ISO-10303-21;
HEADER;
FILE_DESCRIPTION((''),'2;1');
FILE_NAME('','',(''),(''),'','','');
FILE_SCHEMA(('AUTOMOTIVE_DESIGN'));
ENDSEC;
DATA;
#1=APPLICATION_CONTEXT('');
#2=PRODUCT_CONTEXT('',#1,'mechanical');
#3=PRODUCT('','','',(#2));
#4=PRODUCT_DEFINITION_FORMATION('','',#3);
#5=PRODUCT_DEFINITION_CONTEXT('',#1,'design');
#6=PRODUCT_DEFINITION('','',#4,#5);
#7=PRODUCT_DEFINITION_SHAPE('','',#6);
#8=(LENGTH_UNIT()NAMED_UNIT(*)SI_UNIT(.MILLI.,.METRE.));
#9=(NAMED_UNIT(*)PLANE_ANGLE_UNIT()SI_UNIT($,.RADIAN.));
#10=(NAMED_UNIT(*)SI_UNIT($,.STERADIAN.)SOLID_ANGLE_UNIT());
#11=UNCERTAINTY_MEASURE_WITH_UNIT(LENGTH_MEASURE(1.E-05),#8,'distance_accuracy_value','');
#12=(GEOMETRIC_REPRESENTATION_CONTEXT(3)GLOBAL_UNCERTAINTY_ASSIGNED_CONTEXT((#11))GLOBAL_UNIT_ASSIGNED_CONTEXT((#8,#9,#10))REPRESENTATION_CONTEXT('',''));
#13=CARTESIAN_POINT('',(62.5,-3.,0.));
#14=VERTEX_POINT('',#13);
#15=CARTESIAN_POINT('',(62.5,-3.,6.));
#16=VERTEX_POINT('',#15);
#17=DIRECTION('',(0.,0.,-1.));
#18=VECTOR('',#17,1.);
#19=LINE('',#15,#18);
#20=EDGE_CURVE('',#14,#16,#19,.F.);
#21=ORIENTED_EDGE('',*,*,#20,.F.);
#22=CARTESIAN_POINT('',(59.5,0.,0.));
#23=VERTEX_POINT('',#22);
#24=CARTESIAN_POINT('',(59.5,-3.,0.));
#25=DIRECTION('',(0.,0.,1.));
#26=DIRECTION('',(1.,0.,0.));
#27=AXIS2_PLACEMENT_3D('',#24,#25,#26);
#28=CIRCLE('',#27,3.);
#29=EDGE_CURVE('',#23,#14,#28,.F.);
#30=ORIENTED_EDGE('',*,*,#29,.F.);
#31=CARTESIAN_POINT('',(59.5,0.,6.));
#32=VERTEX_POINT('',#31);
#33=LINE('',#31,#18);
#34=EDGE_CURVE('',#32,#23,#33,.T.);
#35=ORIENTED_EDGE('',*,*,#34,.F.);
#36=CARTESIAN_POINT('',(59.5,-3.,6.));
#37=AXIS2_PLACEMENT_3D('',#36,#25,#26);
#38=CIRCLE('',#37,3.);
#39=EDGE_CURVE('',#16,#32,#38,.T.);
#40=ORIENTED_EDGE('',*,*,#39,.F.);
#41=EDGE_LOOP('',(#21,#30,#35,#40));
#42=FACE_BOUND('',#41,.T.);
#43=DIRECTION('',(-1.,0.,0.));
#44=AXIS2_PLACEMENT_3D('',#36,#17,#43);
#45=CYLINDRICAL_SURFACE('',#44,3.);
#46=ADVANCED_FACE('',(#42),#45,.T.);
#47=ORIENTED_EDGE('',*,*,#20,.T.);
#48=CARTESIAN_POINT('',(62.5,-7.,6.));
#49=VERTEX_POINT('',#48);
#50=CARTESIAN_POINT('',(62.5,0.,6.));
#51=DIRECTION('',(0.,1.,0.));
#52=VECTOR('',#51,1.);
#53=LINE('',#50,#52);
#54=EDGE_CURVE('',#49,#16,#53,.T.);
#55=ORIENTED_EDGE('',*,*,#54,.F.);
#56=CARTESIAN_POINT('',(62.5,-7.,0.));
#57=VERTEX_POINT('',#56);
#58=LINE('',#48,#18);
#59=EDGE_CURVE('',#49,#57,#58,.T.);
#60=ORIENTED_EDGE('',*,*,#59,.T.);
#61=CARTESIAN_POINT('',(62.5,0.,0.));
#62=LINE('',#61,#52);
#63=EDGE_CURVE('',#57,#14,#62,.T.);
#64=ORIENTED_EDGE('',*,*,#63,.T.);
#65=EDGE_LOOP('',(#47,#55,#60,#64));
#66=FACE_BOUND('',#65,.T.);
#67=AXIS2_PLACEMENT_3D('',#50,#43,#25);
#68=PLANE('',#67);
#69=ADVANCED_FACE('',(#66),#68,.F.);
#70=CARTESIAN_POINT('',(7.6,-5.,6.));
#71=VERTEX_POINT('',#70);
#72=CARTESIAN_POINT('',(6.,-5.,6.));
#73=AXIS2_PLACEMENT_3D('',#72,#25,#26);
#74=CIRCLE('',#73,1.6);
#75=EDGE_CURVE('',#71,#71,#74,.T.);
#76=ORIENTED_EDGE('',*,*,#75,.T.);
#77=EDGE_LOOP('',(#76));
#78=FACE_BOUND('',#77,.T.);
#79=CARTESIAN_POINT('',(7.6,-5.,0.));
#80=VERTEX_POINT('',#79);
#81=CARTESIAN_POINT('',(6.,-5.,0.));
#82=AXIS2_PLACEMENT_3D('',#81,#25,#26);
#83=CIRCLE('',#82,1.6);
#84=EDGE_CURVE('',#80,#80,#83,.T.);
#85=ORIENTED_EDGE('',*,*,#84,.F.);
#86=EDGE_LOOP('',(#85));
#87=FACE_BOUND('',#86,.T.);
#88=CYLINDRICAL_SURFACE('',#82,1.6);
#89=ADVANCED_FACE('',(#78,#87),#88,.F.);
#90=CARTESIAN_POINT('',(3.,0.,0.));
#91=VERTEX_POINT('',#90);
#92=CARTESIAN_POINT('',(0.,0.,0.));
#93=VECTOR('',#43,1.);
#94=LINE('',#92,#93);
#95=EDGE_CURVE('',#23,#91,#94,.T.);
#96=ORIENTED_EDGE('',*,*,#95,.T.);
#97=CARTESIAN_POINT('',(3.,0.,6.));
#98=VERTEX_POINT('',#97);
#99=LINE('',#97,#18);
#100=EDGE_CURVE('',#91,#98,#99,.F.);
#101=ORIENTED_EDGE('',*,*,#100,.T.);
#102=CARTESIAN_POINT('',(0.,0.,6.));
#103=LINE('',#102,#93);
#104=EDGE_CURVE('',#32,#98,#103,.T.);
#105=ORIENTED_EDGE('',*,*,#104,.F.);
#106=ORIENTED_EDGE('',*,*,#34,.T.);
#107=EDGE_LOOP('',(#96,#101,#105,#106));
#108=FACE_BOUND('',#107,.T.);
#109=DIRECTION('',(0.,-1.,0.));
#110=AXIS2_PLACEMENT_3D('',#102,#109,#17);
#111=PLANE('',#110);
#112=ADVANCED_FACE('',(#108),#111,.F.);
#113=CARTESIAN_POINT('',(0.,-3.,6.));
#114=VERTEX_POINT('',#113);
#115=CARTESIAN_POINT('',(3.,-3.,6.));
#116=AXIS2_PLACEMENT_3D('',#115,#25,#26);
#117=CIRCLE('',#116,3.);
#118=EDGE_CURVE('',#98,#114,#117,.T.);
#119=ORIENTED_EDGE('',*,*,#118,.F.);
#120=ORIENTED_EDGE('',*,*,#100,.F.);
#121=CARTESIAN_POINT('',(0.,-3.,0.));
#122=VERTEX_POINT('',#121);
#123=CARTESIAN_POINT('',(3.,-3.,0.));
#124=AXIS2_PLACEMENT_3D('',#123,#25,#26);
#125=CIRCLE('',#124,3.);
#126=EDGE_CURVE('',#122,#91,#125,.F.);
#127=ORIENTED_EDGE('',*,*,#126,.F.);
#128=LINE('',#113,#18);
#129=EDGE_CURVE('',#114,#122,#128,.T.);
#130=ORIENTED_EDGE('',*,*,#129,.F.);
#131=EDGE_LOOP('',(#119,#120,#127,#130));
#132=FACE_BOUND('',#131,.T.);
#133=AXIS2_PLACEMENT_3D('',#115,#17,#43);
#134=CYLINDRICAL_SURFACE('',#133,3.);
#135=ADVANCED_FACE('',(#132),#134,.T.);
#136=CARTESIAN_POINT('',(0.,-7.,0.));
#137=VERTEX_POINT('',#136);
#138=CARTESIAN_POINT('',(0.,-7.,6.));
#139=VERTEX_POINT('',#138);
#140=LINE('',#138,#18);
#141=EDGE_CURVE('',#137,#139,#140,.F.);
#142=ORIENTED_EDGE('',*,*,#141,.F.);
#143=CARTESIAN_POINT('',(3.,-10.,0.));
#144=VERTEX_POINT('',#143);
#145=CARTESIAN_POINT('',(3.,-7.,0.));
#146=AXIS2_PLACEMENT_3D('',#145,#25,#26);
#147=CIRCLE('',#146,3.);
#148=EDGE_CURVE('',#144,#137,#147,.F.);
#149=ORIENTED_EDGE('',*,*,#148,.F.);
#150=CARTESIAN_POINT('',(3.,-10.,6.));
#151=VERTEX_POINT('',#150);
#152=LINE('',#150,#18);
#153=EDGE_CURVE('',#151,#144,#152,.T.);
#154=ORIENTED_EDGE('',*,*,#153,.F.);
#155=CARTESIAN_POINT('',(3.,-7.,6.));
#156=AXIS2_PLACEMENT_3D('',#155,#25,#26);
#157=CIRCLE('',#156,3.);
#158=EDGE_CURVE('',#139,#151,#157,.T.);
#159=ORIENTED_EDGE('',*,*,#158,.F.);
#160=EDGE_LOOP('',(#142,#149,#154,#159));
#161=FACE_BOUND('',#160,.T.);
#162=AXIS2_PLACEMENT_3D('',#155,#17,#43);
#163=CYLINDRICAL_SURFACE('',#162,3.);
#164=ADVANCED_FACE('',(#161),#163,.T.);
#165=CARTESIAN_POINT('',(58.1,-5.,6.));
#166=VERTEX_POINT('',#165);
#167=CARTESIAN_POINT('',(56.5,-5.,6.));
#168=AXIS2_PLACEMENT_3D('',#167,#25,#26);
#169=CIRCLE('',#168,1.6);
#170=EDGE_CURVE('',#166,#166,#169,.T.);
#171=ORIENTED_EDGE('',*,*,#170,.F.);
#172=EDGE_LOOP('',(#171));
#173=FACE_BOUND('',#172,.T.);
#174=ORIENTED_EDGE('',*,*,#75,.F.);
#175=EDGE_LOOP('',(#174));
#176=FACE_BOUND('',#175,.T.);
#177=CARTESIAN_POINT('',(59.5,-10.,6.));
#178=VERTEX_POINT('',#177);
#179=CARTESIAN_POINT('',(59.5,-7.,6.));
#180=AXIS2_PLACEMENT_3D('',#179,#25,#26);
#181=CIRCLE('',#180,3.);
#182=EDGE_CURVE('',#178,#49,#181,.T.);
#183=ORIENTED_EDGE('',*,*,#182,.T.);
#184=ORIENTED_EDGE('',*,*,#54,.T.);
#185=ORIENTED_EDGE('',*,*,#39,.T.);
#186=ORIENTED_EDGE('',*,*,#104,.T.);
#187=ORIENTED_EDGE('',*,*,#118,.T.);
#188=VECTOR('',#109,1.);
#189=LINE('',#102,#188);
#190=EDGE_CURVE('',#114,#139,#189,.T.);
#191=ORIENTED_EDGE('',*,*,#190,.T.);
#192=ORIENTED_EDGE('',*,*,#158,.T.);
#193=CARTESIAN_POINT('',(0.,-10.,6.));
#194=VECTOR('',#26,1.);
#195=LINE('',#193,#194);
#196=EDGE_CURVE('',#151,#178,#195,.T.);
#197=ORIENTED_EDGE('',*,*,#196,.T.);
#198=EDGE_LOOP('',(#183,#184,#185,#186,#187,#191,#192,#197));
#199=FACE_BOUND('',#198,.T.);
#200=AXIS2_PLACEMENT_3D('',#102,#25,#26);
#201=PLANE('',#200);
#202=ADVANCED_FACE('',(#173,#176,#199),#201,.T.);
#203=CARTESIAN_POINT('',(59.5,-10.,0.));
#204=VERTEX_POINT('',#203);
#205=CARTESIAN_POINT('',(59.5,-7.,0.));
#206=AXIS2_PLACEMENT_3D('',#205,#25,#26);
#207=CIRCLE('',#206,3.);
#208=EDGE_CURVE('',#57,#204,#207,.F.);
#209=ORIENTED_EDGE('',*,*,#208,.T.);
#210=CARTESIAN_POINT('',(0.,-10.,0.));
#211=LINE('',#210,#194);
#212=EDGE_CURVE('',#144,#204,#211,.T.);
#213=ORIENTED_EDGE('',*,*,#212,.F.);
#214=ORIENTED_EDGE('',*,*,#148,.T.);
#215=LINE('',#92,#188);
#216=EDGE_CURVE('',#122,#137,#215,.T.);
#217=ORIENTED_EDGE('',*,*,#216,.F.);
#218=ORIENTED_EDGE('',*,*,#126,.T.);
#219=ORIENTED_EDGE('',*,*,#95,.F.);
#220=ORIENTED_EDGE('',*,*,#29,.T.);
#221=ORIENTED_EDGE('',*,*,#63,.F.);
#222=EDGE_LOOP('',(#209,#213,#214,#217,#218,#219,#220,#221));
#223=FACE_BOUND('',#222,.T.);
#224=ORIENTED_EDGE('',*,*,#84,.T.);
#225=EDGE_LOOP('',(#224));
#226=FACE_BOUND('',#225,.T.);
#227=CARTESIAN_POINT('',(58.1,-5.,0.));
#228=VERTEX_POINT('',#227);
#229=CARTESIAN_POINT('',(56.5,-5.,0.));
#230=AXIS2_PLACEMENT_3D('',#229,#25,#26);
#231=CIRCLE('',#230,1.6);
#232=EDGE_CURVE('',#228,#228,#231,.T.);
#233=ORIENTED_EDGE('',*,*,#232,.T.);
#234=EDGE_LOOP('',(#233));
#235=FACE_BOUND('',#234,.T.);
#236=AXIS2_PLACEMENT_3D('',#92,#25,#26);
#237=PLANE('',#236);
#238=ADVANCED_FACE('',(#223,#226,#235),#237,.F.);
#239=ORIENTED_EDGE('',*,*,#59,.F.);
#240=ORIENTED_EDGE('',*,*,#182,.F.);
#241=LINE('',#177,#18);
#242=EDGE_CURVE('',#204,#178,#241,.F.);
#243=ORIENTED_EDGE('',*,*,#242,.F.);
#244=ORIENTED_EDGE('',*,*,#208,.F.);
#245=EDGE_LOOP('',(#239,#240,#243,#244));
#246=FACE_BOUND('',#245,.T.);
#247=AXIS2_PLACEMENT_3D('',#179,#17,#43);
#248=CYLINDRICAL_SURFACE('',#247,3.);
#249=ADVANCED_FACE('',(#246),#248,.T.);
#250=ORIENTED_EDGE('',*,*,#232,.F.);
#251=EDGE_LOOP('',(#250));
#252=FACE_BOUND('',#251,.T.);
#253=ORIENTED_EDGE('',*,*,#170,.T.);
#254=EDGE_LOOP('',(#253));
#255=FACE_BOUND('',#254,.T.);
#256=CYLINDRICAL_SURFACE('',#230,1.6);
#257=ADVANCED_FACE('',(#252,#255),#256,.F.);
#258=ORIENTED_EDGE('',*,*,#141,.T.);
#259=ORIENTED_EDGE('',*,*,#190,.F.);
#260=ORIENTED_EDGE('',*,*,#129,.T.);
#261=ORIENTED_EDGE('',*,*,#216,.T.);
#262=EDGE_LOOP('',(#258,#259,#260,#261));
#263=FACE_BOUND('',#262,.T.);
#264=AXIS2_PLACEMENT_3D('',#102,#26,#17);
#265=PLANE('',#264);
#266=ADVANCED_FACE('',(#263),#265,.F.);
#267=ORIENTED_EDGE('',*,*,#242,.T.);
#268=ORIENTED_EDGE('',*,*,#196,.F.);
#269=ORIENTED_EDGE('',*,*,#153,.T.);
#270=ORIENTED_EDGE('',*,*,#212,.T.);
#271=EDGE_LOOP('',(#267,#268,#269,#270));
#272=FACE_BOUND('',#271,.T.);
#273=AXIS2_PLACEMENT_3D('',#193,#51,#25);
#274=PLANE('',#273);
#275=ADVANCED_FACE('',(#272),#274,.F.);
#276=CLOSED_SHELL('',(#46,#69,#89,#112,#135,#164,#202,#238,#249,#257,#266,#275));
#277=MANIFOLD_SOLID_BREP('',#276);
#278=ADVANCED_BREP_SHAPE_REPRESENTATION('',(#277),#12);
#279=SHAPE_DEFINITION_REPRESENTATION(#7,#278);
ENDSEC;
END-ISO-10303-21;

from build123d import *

# Parameters (mm, degrees)
SKETCH1_W           = 62.5
SKETCH1_H           = 10
BOSS_EXTRUDE1_DEPTH = 6
SKETCH2_R           = 1.6
CUT_EXTRUDE1_DEPTH  = 64.578691399
FILLET1_R           = 3


with BuildPart() as part:
    # Sketch1 → Boss-Extrude1 (new body)
    with BuildSketch(Plane.XY):
        with Locations((31.25, -5)):
            Rectangle(SKETCH1_W, SKETCH1_H)
    extrude(amount=BOSS_EXTRUDE1_DEPTH)

    # Sketch2 → Cut-Extrude1 (cut, through all)
    with BuildSketch(Plane.XY.offset(6)):
        with Locations((56.5, -5)):
            Circle(SKETCH2_R)
        with Locations((6, -5)):
            Circle(SKETCH2_R)
    extrude(amount=-CUT_EXTRUDE1_DEPTH, mode=Mode.SUBTRACT)

    # Fillet1
    fillet1_edges = [part.edges().sort_by_distance(p)[0] for p in [
        (0, 0, 3),
        (62.5, 0, 3),
        (62.5, -10, 3),
        (0, -10, 3),
    ]]
    fillet(fillet1_edges, radius=FILLET1_R)


solid = part.part
